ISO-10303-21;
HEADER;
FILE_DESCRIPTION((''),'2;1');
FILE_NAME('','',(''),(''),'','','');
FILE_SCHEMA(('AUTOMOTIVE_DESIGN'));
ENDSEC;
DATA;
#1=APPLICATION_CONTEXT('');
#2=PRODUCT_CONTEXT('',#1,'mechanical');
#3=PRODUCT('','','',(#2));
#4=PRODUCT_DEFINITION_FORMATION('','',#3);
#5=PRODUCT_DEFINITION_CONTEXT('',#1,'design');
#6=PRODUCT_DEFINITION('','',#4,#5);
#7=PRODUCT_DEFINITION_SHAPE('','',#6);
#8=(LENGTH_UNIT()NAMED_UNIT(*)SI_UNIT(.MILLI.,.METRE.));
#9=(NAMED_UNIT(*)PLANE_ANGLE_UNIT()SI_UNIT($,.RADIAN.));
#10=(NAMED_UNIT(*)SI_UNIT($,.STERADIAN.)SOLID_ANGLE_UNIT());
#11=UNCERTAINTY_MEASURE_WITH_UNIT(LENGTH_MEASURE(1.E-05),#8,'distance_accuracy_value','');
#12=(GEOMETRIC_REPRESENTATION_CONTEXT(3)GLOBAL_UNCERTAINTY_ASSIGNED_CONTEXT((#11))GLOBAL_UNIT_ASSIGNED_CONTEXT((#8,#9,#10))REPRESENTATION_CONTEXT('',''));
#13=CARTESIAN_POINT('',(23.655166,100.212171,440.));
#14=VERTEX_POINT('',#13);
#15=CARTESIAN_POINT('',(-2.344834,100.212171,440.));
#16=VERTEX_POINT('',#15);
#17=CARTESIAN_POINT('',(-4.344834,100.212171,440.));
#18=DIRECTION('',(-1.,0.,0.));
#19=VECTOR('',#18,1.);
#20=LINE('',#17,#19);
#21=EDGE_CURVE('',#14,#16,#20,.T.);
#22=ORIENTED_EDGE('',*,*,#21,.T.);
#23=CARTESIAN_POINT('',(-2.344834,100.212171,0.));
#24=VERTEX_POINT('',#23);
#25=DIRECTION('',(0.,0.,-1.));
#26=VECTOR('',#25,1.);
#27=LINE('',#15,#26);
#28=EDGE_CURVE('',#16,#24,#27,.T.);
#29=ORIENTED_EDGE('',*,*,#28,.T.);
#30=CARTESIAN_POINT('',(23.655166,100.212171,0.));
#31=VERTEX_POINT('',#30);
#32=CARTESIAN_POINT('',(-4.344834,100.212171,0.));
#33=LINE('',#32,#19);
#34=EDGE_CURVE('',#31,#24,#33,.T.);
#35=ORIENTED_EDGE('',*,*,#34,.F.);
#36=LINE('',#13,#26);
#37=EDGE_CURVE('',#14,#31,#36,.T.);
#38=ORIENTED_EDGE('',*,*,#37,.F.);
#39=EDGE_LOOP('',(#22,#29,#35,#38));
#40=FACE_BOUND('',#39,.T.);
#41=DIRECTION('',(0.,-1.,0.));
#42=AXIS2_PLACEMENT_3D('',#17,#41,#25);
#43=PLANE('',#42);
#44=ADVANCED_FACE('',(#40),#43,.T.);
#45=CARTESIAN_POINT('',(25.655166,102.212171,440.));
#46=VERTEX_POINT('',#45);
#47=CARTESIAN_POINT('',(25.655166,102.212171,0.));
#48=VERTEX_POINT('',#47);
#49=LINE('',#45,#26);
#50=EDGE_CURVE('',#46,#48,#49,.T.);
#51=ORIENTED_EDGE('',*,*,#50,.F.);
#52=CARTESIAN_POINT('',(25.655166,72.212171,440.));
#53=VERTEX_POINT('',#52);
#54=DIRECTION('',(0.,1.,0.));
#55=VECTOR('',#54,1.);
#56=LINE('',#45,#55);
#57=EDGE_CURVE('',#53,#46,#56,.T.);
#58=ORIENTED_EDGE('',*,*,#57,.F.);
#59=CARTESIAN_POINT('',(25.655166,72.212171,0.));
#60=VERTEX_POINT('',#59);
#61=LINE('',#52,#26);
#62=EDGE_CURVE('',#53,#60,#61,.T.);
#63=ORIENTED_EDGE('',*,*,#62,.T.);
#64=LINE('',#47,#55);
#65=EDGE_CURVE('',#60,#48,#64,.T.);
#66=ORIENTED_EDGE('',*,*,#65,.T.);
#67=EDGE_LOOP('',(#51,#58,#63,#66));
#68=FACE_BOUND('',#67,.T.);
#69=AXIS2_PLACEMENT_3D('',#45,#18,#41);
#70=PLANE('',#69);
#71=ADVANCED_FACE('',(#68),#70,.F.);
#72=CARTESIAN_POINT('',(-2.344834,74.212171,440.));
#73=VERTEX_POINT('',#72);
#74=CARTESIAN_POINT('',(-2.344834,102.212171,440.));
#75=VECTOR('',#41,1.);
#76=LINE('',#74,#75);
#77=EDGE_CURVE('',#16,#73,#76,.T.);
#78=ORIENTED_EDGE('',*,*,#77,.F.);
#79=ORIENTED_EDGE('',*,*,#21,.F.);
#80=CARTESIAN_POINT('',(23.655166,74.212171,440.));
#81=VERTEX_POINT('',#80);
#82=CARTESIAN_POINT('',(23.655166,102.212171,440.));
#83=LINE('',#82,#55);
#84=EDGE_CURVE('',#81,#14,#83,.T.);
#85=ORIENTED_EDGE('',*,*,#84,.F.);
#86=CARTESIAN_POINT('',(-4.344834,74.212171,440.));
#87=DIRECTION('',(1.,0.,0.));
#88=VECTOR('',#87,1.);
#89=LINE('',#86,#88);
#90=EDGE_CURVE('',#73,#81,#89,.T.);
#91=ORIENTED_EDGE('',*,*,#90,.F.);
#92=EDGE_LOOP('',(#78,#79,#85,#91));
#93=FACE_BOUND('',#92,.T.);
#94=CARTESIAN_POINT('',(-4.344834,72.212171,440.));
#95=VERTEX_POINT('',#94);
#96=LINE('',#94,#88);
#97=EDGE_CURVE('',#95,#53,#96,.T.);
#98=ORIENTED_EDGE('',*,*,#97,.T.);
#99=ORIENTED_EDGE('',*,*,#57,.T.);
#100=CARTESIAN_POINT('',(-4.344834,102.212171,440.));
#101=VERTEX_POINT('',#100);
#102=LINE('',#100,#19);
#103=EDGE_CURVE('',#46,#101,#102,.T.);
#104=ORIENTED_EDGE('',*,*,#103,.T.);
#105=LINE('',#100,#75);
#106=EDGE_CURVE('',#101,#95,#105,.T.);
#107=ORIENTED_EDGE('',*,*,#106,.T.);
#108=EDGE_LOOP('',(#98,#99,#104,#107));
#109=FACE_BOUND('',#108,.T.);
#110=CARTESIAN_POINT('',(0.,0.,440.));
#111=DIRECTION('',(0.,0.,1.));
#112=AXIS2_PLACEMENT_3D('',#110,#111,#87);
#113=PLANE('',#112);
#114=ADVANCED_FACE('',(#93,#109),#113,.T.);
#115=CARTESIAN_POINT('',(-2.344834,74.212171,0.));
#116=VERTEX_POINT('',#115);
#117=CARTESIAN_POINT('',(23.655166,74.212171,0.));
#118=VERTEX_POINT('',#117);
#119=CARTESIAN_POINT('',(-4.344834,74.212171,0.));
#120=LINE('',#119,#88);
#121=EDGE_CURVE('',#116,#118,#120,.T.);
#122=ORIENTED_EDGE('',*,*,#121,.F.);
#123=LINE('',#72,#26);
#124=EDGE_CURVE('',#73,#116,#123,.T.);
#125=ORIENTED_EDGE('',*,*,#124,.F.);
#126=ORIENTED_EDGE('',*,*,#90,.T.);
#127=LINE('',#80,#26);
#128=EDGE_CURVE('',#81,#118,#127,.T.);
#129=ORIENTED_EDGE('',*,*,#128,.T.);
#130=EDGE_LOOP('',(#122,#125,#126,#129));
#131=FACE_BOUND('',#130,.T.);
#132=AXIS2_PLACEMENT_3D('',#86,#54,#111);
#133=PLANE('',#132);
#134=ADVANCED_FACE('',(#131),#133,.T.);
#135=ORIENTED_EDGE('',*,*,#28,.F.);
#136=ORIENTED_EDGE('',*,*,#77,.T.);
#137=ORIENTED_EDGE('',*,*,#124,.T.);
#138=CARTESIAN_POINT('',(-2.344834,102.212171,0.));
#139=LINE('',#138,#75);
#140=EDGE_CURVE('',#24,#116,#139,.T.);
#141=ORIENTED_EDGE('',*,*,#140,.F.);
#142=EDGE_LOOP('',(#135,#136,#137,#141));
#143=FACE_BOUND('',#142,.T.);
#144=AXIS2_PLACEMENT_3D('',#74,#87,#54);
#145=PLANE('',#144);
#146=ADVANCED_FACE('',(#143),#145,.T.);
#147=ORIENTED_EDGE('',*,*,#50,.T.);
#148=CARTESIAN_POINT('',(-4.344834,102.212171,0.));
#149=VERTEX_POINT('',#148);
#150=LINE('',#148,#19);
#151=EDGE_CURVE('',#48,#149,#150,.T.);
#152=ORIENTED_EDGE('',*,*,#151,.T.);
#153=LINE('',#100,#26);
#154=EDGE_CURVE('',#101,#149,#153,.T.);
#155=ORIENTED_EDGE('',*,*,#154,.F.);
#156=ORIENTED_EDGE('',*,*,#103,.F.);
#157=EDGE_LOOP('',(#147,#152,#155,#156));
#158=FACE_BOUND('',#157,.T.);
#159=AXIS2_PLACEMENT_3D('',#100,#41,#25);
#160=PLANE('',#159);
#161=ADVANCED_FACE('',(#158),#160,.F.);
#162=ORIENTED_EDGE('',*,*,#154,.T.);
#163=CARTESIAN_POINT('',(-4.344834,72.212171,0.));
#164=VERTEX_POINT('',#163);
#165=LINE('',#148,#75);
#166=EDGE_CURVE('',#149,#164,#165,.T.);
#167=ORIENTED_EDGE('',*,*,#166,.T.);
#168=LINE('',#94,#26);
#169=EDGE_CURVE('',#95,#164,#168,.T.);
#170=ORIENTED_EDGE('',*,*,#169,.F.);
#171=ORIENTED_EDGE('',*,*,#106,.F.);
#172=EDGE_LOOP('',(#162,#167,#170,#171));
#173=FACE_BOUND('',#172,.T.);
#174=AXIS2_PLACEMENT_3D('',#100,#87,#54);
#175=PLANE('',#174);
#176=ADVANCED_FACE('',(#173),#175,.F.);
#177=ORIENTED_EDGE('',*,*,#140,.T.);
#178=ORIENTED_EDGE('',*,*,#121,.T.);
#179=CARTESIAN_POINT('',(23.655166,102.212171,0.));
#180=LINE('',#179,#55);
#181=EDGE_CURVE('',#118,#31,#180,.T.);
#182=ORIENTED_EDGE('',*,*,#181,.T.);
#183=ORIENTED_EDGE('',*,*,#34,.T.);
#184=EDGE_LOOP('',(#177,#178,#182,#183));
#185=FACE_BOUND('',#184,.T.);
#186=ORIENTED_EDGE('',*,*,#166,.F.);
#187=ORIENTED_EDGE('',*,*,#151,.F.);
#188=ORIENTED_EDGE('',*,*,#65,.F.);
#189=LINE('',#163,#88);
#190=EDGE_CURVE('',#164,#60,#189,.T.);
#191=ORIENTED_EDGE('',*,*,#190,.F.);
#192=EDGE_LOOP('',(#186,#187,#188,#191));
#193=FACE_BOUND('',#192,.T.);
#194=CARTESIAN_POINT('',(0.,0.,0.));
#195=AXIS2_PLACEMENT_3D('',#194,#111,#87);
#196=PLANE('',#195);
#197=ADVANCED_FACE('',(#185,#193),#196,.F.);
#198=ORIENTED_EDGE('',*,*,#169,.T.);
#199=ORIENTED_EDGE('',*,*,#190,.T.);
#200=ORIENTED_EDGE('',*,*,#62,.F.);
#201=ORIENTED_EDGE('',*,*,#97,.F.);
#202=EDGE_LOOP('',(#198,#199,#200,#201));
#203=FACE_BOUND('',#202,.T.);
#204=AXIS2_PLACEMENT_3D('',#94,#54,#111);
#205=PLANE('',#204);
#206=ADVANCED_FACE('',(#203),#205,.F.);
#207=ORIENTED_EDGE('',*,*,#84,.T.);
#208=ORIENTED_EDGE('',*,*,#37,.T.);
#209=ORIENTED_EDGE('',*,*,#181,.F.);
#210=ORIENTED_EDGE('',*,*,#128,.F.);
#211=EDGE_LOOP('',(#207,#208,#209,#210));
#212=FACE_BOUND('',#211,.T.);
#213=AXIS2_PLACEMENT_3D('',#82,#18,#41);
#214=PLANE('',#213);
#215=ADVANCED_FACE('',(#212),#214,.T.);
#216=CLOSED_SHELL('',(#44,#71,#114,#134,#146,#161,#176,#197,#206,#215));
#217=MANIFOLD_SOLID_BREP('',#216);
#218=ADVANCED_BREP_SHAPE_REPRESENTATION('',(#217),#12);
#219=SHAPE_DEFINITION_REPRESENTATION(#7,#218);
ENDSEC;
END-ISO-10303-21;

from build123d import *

# Parameters (mm, degrees)
ESBO_O1_W                = 30
ESBO_O1_H                = 30
RESSALTO_EXTRUS_O1_DEPTH = 440
CASCA1_T                 = -2


with BuildPart() as part:
    # Esboço1 → Ressalto-extrusão1 (new body)
    with BuildSketch(Plane.XY):
        with Locations((10.655165912, 87.212171493)):
            Rectangle(ESBO_O1_W, ESBO_O1_H)
    extrude(amount=RESSALTO_EXTRUS_O1_DEPTH)

    # Casca1
    casca1_openings = [part.faces().sort_by_distance(p)[0] for p in [
        (10.655165912, 87.212171493, 440),
        (10.655165912, 87.212171493, 0),
    ]]
    offset(amount=CASCA1_T, openings=casca1_openings, kind=Kind.INTERSECTION)


solid = part.part
